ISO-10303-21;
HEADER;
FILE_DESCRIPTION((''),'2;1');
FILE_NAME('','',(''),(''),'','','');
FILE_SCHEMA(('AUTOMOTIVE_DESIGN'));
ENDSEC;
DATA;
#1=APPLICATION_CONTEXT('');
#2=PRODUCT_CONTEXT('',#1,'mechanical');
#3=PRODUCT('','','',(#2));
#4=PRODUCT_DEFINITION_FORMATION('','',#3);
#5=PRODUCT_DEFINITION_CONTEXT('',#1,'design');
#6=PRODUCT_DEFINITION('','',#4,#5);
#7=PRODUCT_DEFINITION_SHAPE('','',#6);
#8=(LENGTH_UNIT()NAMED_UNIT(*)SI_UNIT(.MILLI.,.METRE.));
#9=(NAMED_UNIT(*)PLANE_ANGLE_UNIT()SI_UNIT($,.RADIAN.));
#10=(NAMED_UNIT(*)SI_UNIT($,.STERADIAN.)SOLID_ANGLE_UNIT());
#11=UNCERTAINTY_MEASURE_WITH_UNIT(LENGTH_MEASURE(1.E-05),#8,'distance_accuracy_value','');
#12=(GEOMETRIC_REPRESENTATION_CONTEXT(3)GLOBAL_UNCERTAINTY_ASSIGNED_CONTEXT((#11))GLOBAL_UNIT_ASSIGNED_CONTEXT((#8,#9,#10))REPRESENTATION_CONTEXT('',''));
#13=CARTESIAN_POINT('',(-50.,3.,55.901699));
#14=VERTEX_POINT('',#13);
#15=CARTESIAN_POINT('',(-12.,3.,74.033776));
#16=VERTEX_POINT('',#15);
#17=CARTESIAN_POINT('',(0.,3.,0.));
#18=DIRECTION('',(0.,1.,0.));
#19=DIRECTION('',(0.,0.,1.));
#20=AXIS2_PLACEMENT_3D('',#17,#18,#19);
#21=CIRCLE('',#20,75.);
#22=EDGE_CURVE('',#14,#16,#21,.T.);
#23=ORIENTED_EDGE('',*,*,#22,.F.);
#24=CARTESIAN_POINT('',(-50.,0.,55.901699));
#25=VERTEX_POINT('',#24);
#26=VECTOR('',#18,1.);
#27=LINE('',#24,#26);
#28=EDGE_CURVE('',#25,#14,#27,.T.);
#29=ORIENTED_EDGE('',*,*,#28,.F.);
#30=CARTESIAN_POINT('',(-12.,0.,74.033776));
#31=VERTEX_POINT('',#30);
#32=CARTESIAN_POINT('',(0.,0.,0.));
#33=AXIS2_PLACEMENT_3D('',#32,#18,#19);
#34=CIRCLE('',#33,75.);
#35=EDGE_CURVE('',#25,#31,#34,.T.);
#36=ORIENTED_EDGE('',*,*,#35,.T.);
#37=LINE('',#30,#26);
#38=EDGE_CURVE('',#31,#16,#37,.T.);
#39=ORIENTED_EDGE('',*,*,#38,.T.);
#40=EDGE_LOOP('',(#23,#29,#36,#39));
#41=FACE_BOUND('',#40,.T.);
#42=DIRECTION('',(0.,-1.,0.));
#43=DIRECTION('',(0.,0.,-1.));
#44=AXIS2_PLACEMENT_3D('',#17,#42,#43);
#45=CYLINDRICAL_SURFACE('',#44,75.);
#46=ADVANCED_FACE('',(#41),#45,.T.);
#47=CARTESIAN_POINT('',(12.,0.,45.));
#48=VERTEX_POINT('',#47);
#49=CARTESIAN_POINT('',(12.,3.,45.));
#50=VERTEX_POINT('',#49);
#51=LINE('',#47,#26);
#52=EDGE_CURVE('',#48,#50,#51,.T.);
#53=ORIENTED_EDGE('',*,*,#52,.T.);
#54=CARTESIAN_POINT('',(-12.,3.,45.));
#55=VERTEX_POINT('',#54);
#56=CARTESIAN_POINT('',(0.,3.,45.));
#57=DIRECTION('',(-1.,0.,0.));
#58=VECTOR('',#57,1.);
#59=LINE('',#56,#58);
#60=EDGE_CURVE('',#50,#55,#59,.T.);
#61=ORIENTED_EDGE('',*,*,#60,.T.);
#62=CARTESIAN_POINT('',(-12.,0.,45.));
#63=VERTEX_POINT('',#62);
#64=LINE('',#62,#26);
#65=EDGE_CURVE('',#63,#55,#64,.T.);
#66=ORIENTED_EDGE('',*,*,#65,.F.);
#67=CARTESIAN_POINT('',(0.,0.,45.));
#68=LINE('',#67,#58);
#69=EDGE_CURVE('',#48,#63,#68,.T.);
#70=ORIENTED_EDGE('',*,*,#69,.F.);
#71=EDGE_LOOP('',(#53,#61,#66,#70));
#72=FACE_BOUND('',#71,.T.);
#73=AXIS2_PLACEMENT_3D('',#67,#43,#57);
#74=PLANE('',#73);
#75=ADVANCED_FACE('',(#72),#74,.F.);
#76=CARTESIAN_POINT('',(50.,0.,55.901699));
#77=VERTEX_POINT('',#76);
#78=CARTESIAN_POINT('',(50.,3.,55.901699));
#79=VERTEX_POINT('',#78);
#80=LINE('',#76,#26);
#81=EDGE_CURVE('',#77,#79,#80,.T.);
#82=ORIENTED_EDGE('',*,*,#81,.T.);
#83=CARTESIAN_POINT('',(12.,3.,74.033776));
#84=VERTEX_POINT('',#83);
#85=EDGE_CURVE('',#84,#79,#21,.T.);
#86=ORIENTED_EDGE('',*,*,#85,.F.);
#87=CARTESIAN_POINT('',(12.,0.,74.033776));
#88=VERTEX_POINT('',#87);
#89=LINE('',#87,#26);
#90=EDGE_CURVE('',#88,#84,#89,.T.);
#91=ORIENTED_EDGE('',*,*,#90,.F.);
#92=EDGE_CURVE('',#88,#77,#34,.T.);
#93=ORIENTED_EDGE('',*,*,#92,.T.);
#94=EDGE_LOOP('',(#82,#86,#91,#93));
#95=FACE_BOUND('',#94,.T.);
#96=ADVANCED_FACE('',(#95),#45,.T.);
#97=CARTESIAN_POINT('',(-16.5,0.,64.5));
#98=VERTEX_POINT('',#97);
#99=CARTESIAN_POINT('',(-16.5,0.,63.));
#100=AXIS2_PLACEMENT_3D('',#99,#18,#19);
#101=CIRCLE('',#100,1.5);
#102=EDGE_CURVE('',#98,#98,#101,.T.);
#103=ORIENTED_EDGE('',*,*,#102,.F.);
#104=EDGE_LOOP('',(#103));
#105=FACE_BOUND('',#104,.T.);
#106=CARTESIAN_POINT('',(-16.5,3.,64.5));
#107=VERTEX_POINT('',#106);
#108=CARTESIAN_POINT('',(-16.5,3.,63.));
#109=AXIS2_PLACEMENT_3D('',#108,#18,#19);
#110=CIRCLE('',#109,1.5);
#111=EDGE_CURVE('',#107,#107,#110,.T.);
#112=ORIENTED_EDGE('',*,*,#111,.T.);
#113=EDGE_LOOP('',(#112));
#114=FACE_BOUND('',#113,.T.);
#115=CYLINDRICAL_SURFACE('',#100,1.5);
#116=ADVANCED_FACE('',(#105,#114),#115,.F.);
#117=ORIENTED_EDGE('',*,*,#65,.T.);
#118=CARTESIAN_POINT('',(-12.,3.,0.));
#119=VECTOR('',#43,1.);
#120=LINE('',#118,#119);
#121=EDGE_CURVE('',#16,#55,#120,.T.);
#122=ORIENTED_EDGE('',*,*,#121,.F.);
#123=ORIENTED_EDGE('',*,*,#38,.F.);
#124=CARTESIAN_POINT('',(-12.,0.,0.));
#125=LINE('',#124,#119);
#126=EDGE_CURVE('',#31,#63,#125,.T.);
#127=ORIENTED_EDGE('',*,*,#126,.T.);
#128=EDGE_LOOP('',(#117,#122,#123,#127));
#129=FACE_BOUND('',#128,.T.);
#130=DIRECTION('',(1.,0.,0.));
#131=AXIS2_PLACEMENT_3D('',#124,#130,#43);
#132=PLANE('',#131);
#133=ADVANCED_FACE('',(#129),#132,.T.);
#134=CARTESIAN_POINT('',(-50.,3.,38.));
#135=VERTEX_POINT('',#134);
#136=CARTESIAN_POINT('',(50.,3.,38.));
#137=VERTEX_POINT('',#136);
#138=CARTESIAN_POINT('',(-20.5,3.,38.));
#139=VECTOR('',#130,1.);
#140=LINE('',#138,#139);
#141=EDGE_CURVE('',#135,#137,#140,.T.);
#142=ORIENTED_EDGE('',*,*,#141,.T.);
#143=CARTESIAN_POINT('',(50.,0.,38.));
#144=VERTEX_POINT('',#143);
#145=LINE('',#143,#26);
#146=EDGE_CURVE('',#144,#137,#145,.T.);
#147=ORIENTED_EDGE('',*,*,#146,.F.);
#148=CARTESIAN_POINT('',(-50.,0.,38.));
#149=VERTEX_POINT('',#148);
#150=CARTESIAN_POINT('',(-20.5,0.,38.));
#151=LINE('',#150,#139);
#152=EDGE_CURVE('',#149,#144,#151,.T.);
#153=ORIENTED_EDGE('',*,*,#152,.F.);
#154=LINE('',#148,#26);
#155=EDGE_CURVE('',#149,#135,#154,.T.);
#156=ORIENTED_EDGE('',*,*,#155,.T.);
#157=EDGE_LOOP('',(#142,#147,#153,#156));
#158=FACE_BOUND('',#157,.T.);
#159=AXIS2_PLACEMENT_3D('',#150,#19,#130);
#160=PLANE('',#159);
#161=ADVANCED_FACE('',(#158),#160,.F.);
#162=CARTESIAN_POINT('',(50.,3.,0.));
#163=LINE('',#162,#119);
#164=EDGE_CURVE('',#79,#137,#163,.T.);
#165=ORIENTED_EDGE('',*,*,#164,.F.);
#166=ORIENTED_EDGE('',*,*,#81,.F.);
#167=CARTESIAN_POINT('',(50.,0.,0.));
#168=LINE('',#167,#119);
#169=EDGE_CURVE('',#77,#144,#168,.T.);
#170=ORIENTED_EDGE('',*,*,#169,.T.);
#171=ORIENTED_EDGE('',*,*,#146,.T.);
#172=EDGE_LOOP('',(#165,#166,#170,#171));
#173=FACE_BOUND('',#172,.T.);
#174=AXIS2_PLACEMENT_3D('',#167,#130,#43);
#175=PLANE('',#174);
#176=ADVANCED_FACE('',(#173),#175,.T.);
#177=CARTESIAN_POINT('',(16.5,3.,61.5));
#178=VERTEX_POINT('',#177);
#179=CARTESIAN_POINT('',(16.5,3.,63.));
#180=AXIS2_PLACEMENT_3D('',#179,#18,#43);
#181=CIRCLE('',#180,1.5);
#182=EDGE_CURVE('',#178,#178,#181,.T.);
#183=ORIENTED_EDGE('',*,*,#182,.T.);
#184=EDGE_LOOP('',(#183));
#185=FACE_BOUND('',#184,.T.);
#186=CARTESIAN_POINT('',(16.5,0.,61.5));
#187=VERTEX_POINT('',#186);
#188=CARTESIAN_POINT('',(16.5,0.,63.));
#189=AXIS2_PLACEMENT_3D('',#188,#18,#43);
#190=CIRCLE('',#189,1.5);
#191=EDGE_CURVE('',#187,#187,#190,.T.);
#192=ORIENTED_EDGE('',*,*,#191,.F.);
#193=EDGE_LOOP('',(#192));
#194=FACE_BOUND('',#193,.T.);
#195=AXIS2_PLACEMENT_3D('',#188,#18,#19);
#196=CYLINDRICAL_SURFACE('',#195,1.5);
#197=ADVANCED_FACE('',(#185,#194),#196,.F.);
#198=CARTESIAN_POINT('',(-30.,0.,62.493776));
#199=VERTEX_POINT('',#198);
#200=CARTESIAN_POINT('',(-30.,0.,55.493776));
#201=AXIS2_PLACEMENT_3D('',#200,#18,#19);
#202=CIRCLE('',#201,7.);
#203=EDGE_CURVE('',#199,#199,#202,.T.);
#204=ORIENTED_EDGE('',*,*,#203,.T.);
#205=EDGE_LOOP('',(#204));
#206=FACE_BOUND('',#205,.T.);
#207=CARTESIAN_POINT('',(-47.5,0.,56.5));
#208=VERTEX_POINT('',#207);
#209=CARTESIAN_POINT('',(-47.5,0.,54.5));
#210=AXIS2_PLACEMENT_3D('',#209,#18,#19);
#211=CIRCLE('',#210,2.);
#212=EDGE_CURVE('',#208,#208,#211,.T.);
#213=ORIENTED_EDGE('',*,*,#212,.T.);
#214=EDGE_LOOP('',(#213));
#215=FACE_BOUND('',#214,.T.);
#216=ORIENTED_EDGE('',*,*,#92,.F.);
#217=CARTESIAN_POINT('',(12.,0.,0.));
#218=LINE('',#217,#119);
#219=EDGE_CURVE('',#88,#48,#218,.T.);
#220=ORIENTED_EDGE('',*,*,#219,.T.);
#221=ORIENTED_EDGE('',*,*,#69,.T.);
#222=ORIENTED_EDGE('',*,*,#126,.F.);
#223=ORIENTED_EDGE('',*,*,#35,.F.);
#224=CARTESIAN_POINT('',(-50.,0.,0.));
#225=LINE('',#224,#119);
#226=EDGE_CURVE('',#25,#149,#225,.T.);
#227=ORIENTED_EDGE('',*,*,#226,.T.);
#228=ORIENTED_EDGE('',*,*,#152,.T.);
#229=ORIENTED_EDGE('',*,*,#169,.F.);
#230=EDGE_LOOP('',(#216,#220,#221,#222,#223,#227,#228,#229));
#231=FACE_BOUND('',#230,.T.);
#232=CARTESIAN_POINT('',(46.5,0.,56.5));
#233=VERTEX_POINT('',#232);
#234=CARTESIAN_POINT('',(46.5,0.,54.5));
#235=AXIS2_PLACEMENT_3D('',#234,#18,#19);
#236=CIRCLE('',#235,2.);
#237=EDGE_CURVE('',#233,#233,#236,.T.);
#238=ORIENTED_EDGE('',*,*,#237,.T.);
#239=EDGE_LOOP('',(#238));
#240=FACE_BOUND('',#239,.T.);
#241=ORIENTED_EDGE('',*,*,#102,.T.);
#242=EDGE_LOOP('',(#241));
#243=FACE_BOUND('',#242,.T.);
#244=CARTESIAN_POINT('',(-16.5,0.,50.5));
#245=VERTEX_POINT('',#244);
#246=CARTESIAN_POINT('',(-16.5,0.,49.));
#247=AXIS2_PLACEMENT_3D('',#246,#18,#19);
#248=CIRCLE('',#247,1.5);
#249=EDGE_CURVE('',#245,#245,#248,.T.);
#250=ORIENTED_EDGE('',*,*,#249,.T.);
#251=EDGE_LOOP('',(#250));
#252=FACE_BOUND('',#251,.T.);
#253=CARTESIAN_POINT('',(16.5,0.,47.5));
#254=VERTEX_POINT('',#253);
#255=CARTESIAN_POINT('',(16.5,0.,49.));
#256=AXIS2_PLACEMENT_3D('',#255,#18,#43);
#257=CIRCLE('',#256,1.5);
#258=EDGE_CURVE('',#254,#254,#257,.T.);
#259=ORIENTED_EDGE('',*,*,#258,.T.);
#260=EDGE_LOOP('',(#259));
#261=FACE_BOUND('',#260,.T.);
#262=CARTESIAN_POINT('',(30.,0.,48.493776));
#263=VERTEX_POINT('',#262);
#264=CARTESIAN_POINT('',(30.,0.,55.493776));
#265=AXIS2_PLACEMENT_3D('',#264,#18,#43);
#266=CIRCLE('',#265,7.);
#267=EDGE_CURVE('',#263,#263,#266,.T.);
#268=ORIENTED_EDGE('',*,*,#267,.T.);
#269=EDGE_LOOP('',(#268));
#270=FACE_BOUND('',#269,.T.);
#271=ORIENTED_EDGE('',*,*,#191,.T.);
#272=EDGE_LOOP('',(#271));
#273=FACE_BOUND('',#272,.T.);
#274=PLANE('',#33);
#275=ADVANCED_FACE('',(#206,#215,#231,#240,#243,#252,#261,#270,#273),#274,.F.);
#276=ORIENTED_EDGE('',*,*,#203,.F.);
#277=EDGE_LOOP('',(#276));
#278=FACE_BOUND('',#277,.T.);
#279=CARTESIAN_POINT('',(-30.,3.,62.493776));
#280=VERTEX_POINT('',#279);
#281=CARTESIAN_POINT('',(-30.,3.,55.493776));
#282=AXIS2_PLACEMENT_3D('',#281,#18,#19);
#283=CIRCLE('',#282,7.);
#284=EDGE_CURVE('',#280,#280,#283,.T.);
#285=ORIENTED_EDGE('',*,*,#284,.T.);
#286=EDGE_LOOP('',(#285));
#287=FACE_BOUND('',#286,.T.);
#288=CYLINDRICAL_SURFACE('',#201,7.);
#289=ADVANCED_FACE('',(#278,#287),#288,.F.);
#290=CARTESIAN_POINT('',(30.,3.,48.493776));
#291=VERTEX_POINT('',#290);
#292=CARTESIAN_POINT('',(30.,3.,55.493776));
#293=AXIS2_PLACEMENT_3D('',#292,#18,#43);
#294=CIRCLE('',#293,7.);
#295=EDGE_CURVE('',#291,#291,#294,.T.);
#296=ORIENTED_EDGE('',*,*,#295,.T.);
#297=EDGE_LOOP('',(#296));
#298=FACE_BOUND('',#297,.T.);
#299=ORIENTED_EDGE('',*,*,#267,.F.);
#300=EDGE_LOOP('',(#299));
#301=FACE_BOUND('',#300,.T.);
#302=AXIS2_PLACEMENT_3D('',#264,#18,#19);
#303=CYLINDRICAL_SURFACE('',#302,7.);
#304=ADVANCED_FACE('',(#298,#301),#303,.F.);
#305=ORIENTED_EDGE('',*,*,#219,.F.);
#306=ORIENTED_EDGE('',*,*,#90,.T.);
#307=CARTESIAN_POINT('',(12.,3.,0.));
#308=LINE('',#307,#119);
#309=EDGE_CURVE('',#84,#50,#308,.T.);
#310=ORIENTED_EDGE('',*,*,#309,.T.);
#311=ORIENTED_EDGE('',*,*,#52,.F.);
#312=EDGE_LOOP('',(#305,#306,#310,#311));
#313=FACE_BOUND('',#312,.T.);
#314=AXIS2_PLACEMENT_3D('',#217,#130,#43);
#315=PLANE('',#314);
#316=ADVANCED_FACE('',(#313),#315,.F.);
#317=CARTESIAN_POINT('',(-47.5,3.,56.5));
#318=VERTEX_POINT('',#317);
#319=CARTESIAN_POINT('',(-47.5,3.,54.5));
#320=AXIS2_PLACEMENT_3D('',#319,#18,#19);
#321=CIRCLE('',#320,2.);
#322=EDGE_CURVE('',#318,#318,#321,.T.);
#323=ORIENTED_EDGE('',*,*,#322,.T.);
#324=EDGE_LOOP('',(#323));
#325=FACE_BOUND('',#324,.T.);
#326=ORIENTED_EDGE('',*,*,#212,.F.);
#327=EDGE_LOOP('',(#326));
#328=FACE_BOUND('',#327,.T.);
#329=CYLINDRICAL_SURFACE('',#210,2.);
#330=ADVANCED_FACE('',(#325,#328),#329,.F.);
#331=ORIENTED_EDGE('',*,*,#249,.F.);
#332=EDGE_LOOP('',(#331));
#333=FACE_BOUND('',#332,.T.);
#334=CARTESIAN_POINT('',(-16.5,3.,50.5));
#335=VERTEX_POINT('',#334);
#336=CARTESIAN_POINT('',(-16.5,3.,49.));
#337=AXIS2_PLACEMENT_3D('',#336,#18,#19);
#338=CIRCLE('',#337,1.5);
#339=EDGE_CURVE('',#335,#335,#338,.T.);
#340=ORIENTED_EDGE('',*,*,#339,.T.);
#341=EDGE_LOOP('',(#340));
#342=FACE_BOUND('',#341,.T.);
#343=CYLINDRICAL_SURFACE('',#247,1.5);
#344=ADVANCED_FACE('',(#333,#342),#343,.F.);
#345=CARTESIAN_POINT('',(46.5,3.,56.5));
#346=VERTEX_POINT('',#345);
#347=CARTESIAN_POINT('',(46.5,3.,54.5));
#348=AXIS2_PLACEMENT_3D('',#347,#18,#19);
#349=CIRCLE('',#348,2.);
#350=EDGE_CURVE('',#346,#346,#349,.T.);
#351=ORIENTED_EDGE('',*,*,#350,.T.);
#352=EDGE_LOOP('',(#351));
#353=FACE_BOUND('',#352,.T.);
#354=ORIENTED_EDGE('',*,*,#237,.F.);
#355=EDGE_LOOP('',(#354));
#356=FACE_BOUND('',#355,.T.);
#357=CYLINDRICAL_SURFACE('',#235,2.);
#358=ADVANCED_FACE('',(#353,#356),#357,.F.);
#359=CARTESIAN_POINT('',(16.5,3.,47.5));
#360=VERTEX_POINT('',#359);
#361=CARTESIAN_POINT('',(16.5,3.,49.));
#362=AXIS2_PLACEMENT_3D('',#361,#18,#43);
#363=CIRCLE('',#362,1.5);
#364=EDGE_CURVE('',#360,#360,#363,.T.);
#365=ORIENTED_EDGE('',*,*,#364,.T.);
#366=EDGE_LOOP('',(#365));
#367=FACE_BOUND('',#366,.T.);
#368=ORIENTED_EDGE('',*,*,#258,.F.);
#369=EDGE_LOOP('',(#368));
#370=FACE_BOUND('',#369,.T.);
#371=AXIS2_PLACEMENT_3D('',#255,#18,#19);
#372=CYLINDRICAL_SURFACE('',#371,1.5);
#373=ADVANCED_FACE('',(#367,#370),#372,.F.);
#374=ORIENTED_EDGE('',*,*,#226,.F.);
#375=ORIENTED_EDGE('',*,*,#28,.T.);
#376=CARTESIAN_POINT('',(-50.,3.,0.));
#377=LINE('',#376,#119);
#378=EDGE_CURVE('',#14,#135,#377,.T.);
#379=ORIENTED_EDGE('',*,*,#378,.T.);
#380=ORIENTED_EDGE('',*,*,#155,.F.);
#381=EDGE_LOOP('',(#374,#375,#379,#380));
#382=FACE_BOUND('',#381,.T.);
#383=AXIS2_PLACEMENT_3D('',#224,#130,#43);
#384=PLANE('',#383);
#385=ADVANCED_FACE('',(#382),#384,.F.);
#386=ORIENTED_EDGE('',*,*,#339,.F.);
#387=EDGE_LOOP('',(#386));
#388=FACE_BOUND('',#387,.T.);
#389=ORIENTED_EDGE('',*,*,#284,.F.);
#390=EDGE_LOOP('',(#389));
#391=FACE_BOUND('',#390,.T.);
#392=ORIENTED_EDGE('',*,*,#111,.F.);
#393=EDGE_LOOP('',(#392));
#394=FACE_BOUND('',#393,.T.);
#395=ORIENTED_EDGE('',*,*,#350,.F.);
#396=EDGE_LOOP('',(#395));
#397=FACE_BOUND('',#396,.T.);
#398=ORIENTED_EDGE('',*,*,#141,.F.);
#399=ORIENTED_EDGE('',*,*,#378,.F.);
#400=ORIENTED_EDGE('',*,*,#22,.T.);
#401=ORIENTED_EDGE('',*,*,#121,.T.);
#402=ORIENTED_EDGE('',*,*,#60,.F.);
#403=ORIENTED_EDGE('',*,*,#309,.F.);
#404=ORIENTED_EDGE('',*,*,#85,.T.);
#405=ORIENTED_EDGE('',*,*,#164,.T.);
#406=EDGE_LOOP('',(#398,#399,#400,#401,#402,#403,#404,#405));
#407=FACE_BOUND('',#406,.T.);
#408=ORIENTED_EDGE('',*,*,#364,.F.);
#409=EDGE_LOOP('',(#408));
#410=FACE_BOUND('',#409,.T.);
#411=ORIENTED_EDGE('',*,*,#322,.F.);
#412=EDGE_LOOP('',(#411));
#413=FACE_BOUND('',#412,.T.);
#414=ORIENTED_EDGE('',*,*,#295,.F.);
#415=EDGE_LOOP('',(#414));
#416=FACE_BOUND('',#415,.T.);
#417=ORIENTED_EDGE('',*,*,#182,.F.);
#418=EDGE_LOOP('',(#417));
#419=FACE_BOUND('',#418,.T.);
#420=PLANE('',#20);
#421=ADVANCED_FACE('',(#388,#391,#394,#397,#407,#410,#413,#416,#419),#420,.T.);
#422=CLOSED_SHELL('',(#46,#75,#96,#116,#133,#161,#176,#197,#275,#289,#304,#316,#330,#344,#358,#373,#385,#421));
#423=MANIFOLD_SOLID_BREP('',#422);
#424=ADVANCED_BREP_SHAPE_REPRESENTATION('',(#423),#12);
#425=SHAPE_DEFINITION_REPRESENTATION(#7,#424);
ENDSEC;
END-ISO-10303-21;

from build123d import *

# Parameters (mm, degrees)
CROQUIS1_R              = 75
SALIENTE_EXTRUIR1_DEPTH = 3
CROQUIS4_W              = 35
CROQUIS4_H              = 23
CORTAR_EXTRUIR9_DEPTH   = 107.108435103
CROQUIS5_W              = 31
CROQUIS5_H              = 56
CROQUIS5_W_2            = 25
CORTAR_EXTRUIR10_DEPTH  = 107.108435103
CROQUIS6_W              = 29.5
CROQUIS6_H              = 35
CORTAR_EXTRUIR11_DEPTH  = 91.188691087
CROQUIS7_R              = 1.59
CORTAR_EXTRUIR12_DEPTH  = 91.188691087
CORTAR_EXTRUIR13_DEPTH  = 91.188691087
CROQUIS9_R              = 7
CROQUIS9_R_2            = 2
CORTAR_EXTRUIR15_DEPTH  = 90.38679992
CROQUIS10_W             = 100
CROQUIS10_H             = 10
CROQUIS10_R             = 2
SALIENTE_EXTRUIR2_DEPTH = 3
CROQUIS11_R             = 1.5
CORTAR_EXTRUIR16_DEPTH  = 90.38679992
CROQUIS12_W             = 100
CROQUIS12_H             = 103
CORTAR_EXTRUIR17_DEPTH  = 90.38679992


with BuildPart() as part:
    # Croquis1 → Saliente-Extruir1 (new body)
    with BuildSketch(Plane(origin=(0, 0, 0), x_dir=(1, 0, 0), z_dir=(0, 1, 0))):
        with Locations(Location((0, 0, 0), (0, 0, 270))):
            Circle(CROQUIS1_R)
    extrude(amount=SALIENTE_EXTRUIR1_DEPTH)

    # Croquis4 → Cortar-Extruir9 (cut, through all)
    with BuildSketch(Plane(origin=(0, 3, 0), x_dir=(1, 0, 0), z_dir=(0, 1, 0))):
        with Locations((0, -18.5)):
            Rectangle(CROQUIS4_W, CROQUIS4_H)
    extrude(amount=-CORTAR_EXTRUIR9_DEPTH, mode=Mode.SUBTRACT)

    # Croquis5 → Cortar-Extruir10 (cut, through all)
    with BuildSketch(Plane(origin=(0, 3, 0), x_dir=(1, 0, 0), z_dir=(0, 1, 0))):
        Polygon((-50, 55), (0, 55), (0, 77), (-53, 77), (-53, 55), align=None)
        Polygon((0, 77), (0, 55), (50, 55), (53, 55), (53, 77), align=None)
        Polygon((-50, 0), (-50, 55), (-53, 55), (-81, 55), (-81, 0), align=None)
        Polygon((53, 55), (50, 55), (50, 0), (75, 0), (75, 55), align=None)
        with Locations((-65.5, -28)):
            Rectangle(CROQUIS5_W, CROQUIS5_H)
        with Locations((62.5, -28)):
            Rectangle(CROQUIS5_W_2, CROQUIS5_H)
    extrude(amount=-CORTAR_EXTRUIR10_DEPTH, mode=Mode.SUBTRACT)

    # Croquis6 → Cortar-Extruir11 (cut, through all)
    with BuildSketch(Plane(origin=(0, 3, 0), x_dir=(1, 0, 0), z_dir=(0, 1, 0))):
        with Locations((-35.25, -20.5)):
            Rectangle(CROQUIS6_W, CROQUIS6_H)
        with Locations((35.25, -20.5)):
            Rectangle(CROQUIS6_W, CROQUIS6_H)
    extrude(amount=-CORTAR_EXTRUIR11_DEPTH, mode=Mode.SUBTRACT)

    # Croquis7 → Cortar-Extruir12 (cut, through all)
    with BuildSketch(Plane(origin=(0, 3, 0), x_dir=(1, 0, 0), z_dir=(0, 1, 0))):
        with Locations(Location((-46.52, 47.87, 0), (0, 0, 270))):
            Circle(CROQUIS7_R)
        with Locations(Location((-40.17, -0.46, 0), (0, 0, 270))):
            Circle(CROQUIS7_R)
        with Locations(Location((36.03, 47.8, 0), (0, 0, 270))):
            Circle(CROQUIS7_R)
        with Locations(Location((34.76, -0.46, 0), (0, 0, 270))):
            Circle(CROQUIS7_R)
    extrude(amount=-CORTAR_EXTRUIR12_DEPTH, mode=Mode.SUBTRACT)

    # Croquis8 → Cortar-Extruir13 (cut, through all)
    with BuildSketch(Plane(origin=(0, 3, 0), x_dir=(1, 0, 0), z_dir=(0, 1, 0))):
        with BuildLine():
            ThreePointArc((-12, -74.033776076), (-6.019418341, -74.758053766), (0, -75))
            Line((0, -75), (0, -45))
            Line((0, -45), (-12, -45))
            Line((-12, -45), (-12, -74.033776076))
        make_face()
        with BuildLine():
            Line((0, -45), (0, -75))
            ThreePointArc((0, -75), (6.019418341, -74.758053766), (12, -74.033776076))
            Line((12, -74.033776076), (12, -45))
            Line((12, -45), (0, -45))
        make_face()
    extrude(amount=-CORTAR_EXTRUIR13_DEPTH, mode=Mode.SUBTRACT)

    # Croquis9 → Cortar-Extruir15 (cut, through all)
    with BuildSketch(Plane(origin=(0, 3, 0), x_dir=(1, 0, 0), z_dir=(0, 1, 0))):
        with Locations(Location((-30, -55.493776076, 0), (0, 0, 270))):
            Circle(CROQUIS9_R)
        with Locations(Location((30, -55.493776076, 0), (0, 0, 90))):
            Circle(CROQUIS9_R)
        with Locations(Location((-47.5, -54.5, 0), (0, 0, 270))):
            Circle(CROQUIS9_R_2)
        with Locations(Location((46.5, -54.5, 0), (0, 0, 270))):
            Circle(CROQUIS9_R_2)
    extrude(amount=-CORTAR_EXTRUIR15_DEPTH, mode=Mode.SUBTRACT)

    # Croquis10 → Saliente-Extruir2 (add)
    with BuildSketch(Plane(origin=(0, 3, 0), x_dir=(1, 0, 0), z_dir=(0, 1, 0))):
        with Locations((0, 60)):
            Rectangle(CROQUIS10_W, CROQUIS10_H)
        with Locations(Location((-45, 60, 0), (0, 0, 270))):
            Circle(CROQUIS10_R, mode=Mode.SUBTRACT)
        with Locations(Location((45, 60, 0), (0, 0, 270))):
            Circle(CROQUIS10_R, mode=Mode.SUBTRACT)
    extrude(amount=-SALIENTE_EXTRUIR2_DEPTH)

    # Croquis11 → Cortar-Extruir16 (cut, through all)
    with BuildSketch(Plane(origin=(0, 3, 0), x_dir=(1, 0, 0), z_dir=(0, 1, 0))):
        with Locations(Location((-16.5, -49, 0), (0, 0, 270))):
            Circle(CROQUIS11_R)
        with Locations(Location((-16.5, -63, 0), (0, 0, 270))):
            Circle(CROQUIS11_R)
        with Locations(Location((16.5, -63, 0), (0, 0, 90))):
            Circle(CROQUIS11_R)
        with Locations(Location((16.5, -49, 0), (0, 0, 90))):
            Circle(CROQUIS11_R)
    extrude(amount=-CORTAR_EXTRUIR16_DEPTH, mode=Mode.SUBTRACT)

    # Croquis12 → Cortar-Extruir17 (cut, through all)
    with BuildSketch(Plane(origin=(0, 3, 0), x_dir=(1, 0, 0), z_dir=(0, 1, 0))):
        with Locations((0, 13.5)):
            Rectangle(CROQUIS12_W, CROQUIS12_H)
    extrude(amount=-CORTAR_EXTRUIR17_DEPTH, mode=Mode.SUBTRACT)


solid = part.part
